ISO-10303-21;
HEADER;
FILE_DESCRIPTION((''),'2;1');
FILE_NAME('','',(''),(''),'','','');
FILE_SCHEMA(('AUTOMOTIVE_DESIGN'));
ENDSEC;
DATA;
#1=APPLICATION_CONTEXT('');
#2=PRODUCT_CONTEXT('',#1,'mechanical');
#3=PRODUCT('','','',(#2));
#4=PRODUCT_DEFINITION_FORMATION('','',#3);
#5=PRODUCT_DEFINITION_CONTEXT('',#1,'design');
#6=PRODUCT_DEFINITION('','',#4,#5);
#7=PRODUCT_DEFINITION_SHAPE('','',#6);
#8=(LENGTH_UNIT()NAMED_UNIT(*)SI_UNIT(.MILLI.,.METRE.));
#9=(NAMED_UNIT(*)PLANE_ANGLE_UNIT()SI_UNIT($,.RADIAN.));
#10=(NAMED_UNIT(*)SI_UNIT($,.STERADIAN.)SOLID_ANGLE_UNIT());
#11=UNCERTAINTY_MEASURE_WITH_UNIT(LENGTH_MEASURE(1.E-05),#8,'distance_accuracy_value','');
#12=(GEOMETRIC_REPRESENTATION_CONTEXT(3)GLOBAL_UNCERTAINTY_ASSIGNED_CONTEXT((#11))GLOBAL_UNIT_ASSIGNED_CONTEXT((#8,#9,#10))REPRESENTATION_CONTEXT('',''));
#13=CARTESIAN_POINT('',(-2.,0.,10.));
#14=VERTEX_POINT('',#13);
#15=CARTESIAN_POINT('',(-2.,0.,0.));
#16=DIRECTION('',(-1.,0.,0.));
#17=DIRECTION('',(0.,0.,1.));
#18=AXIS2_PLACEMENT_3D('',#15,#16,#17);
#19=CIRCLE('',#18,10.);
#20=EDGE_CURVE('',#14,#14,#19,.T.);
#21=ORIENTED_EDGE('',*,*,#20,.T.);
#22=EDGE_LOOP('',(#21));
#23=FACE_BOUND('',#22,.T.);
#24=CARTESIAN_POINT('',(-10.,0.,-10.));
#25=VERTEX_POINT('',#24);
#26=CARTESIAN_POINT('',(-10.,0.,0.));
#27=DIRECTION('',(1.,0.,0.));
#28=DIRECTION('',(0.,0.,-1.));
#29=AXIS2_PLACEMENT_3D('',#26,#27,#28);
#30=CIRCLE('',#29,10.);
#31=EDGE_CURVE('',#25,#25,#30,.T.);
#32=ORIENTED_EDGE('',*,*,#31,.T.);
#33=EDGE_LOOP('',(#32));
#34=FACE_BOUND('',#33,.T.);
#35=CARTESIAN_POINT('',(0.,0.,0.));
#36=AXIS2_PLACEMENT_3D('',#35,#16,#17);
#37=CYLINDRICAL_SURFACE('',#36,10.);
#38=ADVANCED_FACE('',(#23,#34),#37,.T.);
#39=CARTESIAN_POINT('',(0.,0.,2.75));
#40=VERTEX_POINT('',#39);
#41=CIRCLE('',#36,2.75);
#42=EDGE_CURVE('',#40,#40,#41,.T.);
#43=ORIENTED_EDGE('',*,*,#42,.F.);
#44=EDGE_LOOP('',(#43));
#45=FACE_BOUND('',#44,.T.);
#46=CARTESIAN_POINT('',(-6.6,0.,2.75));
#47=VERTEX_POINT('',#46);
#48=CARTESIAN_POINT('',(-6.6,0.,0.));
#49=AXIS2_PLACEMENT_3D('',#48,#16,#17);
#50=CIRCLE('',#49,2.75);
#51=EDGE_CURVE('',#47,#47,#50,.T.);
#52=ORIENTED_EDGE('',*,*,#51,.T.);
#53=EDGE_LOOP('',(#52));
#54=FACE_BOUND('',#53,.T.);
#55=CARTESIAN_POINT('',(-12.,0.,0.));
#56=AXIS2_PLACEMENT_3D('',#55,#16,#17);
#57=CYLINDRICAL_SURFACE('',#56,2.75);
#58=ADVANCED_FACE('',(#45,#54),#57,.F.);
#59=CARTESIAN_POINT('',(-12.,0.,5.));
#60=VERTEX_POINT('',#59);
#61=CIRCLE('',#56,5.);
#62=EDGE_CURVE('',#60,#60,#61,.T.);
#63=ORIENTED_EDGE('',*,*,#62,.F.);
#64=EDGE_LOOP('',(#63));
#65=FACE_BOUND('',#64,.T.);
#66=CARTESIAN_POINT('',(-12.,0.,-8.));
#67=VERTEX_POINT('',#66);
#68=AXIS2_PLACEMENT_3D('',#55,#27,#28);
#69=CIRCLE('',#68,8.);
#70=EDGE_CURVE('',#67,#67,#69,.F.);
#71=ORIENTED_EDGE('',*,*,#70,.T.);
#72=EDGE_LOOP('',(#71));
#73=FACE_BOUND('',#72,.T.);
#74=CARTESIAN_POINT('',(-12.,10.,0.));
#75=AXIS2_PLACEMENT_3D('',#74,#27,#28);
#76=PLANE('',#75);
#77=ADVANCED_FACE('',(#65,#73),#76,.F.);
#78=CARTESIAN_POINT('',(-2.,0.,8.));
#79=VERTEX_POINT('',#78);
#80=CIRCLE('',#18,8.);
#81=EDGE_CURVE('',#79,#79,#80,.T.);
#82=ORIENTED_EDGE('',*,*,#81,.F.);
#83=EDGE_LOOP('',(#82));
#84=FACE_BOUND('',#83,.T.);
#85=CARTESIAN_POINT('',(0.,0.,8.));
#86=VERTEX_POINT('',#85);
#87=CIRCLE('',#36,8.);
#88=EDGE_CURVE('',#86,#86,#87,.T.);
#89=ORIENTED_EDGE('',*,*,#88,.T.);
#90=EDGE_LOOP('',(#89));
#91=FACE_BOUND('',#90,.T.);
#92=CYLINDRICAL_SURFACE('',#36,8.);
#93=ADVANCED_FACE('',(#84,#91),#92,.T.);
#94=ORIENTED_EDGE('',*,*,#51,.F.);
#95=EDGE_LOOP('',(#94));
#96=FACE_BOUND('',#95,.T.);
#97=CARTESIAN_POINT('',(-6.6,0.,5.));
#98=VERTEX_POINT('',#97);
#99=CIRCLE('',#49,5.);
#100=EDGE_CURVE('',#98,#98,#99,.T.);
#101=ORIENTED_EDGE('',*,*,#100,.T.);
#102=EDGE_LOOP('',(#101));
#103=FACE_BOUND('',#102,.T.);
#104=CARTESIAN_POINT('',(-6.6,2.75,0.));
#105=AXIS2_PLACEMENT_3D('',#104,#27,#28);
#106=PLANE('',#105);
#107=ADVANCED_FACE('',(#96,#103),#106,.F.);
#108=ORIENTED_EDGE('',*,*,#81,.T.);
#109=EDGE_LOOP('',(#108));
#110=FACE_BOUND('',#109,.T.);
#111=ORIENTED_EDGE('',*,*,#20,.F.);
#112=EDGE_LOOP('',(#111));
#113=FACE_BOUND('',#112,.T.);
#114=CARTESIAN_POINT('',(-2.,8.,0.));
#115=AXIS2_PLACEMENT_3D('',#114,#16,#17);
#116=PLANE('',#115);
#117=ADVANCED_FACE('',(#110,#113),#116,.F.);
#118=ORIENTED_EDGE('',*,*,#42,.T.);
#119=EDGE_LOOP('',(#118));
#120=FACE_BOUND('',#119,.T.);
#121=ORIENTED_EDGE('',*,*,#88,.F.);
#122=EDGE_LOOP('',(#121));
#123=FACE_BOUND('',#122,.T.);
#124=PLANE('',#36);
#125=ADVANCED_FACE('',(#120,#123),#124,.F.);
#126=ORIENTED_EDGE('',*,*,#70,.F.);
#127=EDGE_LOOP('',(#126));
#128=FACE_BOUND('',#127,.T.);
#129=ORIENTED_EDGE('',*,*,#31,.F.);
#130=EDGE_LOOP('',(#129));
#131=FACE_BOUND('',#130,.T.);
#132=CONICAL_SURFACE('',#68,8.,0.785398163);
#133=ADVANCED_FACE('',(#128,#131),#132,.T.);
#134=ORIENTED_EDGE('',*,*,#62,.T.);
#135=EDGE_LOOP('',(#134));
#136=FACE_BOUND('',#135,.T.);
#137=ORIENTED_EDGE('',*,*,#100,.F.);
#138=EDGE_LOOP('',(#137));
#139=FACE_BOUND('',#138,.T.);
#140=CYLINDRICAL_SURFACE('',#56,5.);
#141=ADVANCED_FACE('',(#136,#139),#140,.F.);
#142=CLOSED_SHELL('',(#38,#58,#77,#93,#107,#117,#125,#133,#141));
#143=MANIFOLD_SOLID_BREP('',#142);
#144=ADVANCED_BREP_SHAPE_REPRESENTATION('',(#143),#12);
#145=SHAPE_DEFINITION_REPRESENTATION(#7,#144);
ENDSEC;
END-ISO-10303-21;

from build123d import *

# Parameters (mm, degrees)
FRONT_CHAMFERS_SIZE        = 2
MOUNTING_SCREW_D           = 5.5
MOUNTING_SCREW_DEPTH       = 12
MOUNTING_SCREW_CBORE_D     = 10
MOUNTING_SCREW_CBORE_DEPTH = 5.4
MOUNTING_SCREW_TIP         = 1.652366702


with BuildPart() as part:
    # Sketch1 → body (revolve)
    with BuildSketch(Plane.XY, mode=Mode.PRIVATE) as body_sk:
        Polygon((0, 0), (0, 8), (-2, 8), (-2, 10), (-12, 10), (-12, 0), align=None)
    revolve(body_sk.sketch.rotate(Axis((0, 0, 0), (1, 0, 0)), 90), axis=Axis((0, 0, 0), (1, 0, 0)))

    # front_chamfers
    front_chamfers_edges = [part.edges().sort_by_distance(p)[0] for p in [
        (-12, 0, -10),
    ]]
    chamfer(front_chamfers_edges, length=FRONT_CHAMFERS_SIZE)

    # mounting_screw
    with Locations(Plane.ZY.offset(12)):
        with Locations((0, 0)):
            CounterBoreHole(MOUNTING_SCREW_D / 2, MOUNTING_SCREW_CBORE_D / 2, MOUNTING_SCREW_CBORE_DEPTH, depth=MOUNTING_SCREW_DEPTH)
            with Locations((0, 0, -(MOUNTING_SCREW_DEPTH + MOUNTING_SCREW_TIP / 2))):  # 118° drill point
                Cone(0, MOUNTING_SCREW_D / 2, MOUNTING_SCREW_TIP, mode=Mode.SUBTRACT)


solid = part.part
